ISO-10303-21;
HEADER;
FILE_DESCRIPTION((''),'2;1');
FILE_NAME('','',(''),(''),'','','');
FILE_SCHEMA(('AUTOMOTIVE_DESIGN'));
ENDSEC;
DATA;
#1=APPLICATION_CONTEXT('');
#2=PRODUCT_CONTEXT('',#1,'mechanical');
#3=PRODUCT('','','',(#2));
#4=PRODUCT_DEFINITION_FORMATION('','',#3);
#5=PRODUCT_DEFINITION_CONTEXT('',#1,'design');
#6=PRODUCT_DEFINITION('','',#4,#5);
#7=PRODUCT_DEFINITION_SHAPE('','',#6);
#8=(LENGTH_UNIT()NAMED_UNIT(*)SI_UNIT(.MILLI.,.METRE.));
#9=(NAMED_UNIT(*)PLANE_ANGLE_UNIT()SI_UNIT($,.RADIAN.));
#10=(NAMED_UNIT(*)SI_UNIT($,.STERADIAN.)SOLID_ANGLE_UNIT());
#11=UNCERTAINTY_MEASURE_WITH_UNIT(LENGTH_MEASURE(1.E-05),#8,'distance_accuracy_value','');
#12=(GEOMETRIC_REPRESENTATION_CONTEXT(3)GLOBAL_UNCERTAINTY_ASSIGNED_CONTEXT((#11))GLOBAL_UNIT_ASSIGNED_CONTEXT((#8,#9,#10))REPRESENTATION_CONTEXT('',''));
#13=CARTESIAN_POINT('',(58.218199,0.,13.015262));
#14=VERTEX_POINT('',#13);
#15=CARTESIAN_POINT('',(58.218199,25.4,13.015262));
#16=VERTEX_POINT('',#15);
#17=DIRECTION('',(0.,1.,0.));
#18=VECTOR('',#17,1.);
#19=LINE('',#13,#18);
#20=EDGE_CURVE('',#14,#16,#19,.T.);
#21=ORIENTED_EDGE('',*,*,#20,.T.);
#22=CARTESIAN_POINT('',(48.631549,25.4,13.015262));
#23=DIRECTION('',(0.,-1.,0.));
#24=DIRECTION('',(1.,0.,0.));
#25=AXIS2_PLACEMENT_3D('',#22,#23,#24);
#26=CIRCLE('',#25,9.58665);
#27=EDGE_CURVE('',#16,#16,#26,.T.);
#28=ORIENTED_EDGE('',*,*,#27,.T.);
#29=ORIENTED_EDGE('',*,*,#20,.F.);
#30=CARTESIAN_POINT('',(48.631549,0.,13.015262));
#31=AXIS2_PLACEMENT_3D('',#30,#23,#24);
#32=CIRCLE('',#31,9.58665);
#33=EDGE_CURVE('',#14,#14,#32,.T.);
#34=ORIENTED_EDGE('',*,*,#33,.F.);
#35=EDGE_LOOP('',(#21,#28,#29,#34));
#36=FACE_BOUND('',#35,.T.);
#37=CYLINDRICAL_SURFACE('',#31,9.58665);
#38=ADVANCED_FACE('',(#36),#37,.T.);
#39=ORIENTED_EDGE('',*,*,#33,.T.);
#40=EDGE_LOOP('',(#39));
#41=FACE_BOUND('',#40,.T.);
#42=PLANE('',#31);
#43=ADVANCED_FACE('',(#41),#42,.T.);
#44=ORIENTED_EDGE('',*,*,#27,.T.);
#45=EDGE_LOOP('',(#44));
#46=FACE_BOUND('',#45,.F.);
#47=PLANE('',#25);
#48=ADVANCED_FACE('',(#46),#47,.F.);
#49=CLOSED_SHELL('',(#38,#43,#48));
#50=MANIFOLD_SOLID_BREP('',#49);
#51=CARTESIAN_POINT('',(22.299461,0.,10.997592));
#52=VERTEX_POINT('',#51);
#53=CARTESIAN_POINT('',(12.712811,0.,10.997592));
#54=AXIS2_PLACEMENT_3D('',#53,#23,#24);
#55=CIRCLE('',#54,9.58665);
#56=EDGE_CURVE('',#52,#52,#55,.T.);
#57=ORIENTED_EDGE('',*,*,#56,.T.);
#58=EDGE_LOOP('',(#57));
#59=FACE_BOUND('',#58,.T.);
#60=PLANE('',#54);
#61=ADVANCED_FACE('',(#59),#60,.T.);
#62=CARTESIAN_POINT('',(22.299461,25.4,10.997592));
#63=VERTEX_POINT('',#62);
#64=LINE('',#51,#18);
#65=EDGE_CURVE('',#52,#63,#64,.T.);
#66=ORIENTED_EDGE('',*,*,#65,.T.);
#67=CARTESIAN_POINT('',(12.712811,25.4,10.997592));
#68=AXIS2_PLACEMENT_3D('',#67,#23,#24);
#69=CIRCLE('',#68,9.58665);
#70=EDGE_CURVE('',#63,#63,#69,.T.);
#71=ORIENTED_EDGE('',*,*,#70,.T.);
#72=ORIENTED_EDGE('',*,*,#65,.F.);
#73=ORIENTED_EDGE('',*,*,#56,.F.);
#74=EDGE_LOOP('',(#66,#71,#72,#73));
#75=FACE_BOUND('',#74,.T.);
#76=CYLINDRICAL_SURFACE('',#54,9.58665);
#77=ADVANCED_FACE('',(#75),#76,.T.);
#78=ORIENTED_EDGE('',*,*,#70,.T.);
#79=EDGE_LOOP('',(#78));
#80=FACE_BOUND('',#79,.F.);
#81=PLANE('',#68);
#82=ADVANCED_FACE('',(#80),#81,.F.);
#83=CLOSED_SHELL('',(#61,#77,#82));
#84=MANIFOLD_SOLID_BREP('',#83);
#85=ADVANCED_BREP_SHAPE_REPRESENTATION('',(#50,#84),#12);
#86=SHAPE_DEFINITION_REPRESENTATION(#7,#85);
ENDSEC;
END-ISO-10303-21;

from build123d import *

# Parameters (mm, degrees)
F0_R     = 9.58665
F1_DEPTH = 25.4


with BuildPart() as f1:
    # F0 (on Front) → F1 (new body)
    with BuildSketch(Plane.XZ):
        with Locations((12.712811, 10.997592)):
            Circle(F0_R)
        with Locations((48.631549, 13.015262)):
            Circle(F0_R)
    extrude(amount=-F1_DEPTH)


solid = f1.part
